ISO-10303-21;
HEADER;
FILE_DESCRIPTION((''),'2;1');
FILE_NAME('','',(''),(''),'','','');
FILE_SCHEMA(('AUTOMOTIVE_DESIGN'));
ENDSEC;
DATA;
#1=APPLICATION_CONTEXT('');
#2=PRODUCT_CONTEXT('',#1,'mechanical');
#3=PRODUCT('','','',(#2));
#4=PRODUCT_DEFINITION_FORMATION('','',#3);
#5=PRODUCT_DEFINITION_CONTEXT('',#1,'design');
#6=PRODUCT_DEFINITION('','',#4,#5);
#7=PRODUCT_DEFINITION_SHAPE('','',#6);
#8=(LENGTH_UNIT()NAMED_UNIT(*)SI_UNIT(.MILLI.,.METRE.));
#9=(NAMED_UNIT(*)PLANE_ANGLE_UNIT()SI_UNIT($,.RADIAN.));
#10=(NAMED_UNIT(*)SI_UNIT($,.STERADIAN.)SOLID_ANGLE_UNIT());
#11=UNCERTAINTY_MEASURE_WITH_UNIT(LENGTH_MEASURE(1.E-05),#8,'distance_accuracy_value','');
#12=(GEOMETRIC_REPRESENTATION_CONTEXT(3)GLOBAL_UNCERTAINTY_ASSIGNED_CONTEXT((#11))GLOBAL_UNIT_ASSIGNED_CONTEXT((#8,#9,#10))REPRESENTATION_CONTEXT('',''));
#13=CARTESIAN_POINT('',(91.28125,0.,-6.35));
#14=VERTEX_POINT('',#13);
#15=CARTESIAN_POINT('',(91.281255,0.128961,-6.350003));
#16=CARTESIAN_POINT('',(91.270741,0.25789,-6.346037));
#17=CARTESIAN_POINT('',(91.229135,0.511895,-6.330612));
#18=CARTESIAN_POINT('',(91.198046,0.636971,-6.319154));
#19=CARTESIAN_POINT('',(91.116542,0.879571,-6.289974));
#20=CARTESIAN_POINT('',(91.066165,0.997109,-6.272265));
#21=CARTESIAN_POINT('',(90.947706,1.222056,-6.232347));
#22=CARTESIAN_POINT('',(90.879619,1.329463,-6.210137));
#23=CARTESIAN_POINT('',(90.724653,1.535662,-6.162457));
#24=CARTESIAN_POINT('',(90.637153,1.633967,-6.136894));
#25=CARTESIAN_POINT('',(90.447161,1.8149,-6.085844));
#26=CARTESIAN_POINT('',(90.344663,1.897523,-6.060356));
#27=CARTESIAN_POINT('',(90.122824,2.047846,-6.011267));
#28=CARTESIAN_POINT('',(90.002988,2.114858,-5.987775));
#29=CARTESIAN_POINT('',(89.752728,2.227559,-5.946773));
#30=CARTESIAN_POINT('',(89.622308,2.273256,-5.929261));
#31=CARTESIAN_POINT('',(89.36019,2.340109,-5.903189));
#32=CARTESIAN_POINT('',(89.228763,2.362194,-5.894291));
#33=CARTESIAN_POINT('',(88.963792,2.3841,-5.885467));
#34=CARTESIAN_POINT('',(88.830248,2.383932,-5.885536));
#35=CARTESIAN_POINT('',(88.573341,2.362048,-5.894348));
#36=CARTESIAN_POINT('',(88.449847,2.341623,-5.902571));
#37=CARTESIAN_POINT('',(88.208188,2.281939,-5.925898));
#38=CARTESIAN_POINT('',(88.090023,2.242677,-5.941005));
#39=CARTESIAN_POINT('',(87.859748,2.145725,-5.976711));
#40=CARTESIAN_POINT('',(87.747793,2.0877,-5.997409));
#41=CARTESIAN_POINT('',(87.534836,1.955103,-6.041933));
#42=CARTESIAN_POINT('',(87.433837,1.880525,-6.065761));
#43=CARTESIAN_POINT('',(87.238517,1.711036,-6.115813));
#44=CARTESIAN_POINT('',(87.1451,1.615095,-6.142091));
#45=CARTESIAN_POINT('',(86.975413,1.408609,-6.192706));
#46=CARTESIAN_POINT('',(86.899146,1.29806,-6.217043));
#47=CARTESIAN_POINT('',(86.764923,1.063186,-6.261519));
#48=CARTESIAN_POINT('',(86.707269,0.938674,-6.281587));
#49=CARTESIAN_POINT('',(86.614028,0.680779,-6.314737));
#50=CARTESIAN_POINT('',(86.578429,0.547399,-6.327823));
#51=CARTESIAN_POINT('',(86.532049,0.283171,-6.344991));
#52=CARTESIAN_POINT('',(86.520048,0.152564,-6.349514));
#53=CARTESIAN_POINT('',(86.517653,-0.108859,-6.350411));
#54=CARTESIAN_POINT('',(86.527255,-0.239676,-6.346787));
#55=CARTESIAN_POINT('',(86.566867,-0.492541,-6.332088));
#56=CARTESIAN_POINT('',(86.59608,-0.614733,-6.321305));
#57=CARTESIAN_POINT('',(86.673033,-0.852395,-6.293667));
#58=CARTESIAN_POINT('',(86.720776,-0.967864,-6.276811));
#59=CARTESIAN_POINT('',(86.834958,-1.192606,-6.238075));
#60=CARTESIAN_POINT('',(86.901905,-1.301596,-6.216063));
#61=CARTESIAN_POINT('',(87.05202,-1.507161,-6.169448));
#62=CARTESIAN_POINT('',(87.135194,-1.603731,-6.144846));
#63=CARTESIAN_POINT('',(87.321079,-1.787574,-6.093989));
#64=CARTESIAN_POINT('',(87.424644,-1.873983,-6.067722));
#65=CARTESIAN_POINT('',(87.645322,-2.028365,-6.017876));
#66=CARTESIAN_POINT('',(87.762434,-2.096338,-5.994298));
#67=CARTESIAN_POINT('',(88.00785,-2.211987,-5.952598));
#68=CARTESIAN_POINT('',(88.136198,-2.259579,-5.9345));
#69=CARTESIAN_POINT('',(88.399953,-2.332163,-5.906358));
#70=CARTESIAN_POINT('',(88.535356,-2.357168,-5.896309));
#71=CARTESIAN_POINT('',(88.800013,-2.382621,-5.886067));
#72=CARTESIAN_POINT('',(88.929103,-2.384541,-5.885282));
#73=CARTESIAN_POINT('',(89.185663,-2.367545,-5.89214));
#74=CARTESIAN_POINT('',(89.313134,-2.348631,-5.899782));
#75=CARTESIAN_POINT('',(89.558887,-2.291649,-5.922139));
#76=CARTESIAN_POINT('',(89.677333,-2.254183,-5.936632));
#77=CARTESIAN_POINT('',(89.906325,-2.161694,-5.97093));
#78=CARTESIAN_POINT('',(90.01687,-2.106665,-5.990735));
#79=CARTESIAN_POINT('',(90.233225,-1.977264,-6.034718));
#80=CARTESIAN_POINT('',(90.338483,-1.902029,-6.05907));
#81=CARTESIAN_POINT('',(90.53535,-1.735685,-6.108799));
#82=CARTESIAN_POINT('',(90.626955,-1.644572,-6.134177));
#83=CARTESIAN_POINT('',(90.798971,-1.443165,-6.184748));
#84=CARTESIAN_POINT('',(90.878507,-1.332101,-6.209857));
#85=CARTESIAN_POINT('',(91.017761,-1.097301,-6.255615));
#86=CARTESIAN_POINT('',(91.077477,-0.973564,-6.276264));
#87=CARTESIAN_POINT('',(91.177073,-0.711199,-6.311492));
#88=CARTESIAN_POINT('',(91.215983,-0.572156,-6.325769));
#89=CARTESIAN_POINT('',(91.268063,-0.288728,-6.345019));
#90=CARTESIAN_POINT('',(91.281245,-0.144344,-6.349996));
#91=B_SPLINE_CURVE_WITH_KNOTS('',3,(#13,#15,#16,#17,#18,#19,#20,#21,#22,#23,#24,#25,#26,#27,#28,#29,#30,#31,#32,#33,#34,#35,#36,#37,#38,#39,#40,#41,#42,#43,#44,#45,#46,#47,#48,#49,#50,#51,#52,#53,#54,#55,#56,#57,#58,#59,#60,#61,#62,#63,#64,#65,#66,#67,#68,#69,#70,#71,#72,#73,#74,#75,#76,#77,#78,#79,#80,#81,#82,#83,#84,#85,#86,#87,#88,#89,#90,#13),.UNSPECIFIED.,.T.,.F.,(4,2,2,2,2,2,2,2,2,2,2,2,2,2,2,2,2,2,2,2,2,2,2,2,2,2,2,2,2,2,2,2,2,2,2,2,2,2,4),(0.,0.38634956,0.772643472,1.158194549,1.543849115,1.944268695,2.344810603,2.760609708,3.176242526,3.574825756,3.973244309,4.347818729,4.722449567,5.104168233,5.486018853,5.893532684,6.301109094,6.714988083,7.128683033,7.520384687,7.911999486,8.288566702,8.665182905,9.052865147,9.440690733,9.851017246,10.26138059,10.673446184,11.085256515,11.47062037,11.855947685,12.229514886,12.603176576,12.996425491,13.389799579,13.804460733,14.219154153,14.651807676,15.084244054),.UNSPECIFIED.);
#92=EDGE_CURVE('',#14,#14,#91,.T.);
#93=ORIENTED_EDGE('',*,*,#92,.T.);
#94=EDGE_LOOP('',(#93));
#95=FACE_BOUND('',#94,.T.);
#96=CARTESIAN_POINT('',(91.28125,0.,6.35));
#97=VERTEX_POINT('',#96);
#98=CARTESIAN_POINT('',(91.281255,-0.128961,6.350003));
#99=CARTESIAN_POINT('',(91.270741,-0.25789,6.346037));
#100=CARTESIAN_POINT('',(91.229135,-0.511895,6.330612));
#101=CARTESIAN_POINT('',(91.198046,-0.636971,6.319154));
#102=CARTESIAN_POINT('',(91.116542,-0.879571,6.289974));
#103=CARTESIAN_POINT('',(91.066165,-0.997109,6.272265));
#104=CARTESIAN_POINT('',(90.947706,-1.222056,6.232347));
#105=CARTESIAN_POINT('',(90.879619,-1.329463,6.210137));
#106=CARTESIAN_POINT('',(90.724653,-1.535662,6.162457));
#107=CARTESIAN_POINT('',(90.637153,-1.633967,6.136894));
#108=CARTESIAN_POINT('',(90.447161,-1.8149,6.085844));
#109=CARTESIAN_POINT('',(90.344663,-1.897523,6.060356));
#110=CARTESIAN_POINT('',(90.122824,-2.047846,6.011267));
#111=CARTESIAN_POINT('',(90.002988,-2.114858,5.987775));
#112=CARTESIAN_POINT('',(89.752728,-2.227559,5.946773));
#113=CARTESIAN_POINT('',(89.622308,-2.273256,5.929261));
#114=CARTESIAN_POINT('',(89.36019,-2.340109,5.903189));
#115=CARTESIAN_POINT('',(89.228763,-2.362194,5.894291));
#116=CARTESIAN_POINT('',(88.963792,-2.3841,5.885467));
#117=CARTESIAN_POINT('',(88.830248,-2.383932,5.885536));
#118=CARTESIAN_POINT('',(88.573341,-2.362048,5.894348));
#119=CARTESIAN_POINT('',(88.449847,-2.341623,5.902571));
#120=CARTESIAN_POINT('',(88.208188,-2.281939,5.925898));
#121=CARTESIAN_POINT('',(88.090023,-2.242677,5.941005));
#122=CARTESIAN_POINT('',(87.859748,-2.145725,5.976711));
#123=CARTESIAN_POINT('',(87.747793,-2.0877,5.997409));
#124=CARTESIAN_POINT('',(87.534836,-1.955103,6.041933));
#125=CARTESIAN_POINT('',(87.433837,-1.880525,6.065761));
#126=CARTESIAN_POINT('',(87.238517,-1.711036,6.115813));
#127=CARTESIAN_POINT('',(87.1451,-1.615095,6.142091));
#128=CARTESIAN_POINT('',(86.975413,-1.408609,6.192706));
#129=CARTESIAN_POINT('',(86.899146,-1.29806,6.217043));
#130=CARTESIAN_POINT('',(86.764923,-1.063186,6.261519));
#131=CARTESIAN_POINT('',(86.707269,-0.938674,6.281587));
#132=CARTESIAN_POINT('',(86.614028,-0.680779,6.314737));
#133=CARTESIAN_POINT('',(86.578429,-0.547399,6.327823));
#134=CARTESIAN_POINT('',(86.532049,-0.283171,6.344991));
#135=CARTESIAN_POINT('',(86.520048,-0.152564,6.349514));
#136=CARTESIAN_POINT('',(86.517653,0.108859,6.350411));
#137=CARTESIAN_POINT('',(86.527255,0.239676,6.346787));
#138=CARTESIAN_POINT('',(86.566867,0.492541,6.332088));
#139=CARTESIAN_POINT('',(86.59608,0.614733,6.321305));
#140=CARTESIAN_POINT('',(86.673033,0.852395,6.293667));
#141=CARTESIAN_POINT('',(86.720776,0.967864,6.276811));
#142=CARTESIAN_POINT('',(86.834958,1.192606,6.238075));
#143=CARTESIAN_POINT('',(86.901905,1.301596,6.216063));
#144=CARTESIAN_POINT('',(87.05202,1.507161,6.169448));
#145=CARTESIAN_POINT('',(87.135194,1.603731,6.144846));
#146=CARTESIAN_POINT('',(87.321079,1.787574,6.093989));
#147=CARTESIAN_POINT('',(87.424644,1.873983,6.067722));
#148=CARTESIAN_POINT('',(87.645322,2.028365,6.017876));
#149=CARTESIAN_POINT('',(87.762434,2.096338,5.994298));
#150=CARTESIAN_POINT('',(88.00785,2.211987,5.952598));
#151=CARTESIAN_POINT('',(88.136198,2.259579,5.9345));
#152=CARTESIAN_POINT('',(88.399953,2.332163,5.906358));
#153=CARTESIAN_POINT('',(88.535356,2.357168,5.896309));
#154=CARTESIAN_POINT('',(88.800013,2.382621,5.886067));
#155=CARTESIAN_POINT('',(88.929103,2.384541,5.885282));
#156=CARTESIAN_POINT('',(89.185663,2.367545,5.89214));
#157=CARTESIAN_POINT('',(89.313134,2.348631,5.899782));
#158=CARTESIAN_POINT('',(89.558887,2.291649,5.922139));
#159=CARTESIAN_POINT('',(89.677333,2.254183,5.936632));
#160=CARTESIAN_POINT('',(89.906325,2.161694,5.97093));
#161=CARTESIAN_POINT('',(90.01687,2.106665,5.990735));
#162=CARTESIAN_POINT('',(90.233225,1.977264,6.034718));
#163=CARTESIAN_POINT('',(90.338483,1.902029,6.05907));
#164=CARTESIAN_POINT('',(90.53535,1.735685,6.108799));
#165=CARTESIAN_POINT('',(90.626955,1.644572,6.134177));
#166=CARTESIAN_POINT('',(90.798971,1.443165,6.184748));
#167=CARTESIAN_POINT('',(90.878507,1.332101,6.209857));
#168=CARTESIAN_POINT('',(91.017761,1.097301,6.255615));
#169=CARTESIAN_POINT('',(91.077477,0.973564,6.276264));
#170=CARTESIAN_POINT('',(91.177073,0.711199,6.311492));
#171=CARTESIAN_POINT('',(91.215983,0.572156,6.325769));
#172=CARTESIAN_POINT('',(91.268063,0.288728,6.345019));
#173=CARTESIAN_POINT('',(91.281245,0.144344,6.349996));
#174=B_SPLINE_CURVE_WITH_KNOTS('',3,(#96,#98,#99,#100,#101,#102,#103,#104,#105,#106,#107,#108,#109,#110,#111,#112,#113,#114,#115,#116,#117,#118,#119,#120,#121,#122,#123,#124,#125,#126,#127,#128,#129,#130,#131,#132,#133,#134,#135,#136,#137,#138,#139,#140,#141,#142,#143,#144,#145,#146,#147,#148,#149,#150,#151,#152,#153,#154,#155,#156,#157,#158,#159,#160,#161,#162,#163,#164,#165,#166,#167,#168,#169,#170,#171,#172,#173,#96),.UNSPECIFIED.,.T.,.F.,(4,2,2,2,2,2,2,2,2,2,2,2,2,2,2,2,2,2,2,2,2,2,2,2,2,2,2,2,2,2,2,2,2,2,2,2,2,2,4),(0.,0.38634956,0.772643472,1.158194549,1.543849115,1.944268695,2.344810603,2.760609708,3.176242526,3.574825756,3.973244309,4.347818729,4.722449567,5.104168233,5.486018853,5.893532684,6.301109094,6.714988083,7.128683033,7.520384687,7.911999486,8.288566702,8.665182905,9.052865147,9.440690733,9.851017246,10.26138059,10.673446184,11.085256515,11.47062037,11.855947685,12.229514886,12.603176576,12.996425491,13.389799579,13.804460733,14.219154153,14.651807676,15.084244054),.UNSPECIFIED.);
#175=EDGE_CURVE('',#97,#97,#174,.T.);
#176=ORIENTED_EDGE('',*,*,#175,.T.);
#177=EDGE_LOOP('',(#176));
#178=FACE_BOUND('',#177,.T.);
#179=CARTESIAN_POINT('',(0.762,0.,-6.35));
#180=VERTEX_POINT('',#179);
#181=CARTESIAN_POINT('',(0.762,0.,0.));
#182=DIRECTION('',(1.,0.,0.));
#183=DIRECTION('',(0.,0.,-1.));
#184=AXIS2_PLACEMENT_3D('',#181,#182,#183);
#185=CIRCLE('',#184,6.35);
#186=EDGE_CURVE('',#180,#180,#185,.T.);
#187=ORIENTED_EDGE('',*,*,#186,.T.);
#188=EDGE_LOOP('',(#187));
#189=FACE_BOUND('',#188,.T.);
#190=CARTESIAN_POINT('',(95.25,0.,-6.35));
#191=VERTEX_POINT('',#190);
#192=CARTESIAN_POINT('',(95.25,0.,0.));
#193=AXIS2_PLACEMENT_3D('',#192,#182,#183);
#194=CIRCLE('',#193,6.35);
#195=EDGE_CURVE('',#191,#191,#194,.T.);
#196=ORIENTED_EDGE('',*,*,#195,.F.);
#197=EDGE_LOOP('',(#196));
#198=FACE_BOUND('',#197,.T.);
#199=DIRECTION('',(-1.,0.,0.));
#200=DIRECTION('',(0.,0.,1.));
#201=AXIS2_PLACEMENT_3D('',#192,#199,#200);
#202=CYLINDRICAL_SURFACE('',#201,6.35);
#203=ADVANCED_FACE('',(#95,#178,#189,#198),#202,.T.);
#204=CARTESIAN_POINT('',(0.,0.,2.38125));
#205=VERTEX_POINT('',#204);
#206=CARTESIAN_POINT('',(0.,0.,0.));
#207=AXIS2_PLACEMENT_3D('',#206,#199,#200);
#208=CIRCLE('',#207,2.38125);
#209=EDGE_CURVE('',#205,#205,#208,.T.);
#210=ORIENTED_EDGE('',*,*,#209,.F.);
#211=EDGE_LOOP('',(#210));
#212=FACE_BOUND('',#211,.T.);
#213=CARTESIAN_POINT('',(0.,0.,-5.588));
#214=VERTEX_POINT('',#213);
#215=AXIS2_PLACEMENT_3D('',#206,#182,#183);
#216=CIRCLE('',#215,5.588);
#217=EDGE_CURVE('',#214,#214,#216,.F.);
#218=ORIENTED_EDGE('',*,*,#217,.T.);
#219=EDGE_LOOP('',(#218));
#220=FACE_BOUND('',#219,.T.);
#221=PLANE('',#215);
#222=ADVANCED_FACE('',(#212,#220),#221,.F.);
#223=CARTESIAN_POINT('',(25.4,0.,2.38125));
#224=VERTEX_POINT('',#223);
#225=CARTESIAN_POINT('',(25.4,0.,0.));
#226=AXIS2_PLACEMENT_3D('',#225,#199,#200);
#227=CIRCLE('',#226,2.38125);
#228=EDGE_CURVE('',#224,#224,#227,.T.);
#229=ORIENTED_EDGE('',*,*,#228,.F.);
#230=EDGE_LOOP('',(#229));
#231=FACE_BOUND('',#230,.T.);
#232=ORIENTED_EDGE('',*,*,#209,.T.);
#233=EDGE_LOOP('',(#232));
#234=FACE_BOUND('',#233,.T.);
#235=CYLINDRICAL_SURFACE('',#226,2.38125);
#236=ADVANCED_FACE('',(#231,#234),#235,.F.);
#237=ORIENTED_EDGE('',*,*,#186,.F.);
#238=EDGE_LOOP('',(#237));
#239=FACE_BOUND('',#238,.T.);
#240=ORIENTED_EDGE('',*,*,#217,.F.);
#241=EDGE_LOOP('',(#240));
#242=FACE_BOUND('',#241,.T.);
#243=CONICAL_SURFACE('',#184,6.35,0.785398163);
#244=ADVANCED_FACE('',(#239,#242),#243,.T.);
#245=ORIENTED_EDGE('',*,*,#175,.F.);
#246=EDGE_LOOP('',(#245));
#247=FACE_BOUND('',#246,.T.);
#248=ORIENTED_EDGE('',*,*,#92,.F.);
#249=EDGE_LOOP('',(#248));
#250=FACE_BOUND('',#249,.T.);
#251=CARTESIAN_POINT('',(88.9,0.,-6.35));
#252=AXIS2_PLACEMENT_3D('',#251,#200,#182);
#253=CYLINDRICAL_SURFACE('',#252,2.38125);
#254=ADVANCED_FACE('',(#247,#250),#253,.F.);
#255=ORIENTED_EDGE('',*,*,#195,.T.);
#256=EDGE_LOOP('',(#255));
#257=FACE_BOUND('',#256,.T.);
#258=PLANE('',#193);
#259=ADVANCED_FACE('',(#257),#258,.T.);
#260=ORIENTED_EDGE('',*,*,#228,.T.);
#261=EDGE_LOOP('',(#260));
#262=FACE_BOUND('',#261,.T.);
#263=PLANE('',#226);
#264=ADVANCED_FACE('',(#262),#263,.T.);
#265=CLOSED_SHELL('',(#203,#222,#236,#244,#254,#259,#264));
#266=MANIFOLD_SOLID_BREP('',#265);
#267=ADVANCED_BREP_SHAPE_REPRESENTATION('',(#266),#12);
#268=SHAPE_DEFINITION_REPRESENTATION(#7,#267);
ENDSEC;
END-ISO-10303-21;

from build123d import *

# Parameters (mm, degrees)
SKETCH1_R               = 6.35
BASE_EXTRUDE_DEPTH      = 95.25
SKETCH2_R               = 2.38125
CUT_EXTRUDE1_DEPTH      = 7.35
CUT_EXTRUDE1_DEPTH_BACK = 7.35
SKETCH3_R               = 2.38125
CUT_EXTRUDE2_DEPTH      = 25.4
CHAMFER2_SIZE           = 0.762


with BuildPart() as part:
    # Sketch1 → Base-Extrude (new body)
    with BuildSketch(Plane(origin=(0, 0, 0), x_dir=(0, 0, -1), z_dir=(1, 0, 0))):
        Circle(SKETCH1_R)
    extrude(amount=BASE_EXTRUDE_DEPTH)

    # Sketch2 → Cut-Extrude1 (cut, two sides)
    with BuildSketch(Plane.XY) as cut_extrude1_sk:
        with Locations((88.9, 0)):
            Circle(SKETCH2_R)
    extrude(amount=CUT_EXTRUDE1_DEPTH, mode=Mode.SUBTRACT)
    extrude(cut_extrude1_sk.sketch, amount=-CUT_EXTRUDE1_DEPTH_BACK, mode=Mode.SUBTRACT)

    # Sketch3 → Cut-Extrude2 (cut)
    with BuildSketch(Plane.ZY):
        Circle(SKETCH3_R)
    extrude(amount=-CUT_EXTRUDE2_DEPTH, mode=Mode.SUBTRACT)

    # Chamfer2
    chamfer2_edges = [part.edges().sort_by_distance(p)[0] for p in [
        (0, 0, 6.35),
    ]]
    chamfer(chamfer2_edges, length=CHAMFER2_SIZE)


solid = part.part
